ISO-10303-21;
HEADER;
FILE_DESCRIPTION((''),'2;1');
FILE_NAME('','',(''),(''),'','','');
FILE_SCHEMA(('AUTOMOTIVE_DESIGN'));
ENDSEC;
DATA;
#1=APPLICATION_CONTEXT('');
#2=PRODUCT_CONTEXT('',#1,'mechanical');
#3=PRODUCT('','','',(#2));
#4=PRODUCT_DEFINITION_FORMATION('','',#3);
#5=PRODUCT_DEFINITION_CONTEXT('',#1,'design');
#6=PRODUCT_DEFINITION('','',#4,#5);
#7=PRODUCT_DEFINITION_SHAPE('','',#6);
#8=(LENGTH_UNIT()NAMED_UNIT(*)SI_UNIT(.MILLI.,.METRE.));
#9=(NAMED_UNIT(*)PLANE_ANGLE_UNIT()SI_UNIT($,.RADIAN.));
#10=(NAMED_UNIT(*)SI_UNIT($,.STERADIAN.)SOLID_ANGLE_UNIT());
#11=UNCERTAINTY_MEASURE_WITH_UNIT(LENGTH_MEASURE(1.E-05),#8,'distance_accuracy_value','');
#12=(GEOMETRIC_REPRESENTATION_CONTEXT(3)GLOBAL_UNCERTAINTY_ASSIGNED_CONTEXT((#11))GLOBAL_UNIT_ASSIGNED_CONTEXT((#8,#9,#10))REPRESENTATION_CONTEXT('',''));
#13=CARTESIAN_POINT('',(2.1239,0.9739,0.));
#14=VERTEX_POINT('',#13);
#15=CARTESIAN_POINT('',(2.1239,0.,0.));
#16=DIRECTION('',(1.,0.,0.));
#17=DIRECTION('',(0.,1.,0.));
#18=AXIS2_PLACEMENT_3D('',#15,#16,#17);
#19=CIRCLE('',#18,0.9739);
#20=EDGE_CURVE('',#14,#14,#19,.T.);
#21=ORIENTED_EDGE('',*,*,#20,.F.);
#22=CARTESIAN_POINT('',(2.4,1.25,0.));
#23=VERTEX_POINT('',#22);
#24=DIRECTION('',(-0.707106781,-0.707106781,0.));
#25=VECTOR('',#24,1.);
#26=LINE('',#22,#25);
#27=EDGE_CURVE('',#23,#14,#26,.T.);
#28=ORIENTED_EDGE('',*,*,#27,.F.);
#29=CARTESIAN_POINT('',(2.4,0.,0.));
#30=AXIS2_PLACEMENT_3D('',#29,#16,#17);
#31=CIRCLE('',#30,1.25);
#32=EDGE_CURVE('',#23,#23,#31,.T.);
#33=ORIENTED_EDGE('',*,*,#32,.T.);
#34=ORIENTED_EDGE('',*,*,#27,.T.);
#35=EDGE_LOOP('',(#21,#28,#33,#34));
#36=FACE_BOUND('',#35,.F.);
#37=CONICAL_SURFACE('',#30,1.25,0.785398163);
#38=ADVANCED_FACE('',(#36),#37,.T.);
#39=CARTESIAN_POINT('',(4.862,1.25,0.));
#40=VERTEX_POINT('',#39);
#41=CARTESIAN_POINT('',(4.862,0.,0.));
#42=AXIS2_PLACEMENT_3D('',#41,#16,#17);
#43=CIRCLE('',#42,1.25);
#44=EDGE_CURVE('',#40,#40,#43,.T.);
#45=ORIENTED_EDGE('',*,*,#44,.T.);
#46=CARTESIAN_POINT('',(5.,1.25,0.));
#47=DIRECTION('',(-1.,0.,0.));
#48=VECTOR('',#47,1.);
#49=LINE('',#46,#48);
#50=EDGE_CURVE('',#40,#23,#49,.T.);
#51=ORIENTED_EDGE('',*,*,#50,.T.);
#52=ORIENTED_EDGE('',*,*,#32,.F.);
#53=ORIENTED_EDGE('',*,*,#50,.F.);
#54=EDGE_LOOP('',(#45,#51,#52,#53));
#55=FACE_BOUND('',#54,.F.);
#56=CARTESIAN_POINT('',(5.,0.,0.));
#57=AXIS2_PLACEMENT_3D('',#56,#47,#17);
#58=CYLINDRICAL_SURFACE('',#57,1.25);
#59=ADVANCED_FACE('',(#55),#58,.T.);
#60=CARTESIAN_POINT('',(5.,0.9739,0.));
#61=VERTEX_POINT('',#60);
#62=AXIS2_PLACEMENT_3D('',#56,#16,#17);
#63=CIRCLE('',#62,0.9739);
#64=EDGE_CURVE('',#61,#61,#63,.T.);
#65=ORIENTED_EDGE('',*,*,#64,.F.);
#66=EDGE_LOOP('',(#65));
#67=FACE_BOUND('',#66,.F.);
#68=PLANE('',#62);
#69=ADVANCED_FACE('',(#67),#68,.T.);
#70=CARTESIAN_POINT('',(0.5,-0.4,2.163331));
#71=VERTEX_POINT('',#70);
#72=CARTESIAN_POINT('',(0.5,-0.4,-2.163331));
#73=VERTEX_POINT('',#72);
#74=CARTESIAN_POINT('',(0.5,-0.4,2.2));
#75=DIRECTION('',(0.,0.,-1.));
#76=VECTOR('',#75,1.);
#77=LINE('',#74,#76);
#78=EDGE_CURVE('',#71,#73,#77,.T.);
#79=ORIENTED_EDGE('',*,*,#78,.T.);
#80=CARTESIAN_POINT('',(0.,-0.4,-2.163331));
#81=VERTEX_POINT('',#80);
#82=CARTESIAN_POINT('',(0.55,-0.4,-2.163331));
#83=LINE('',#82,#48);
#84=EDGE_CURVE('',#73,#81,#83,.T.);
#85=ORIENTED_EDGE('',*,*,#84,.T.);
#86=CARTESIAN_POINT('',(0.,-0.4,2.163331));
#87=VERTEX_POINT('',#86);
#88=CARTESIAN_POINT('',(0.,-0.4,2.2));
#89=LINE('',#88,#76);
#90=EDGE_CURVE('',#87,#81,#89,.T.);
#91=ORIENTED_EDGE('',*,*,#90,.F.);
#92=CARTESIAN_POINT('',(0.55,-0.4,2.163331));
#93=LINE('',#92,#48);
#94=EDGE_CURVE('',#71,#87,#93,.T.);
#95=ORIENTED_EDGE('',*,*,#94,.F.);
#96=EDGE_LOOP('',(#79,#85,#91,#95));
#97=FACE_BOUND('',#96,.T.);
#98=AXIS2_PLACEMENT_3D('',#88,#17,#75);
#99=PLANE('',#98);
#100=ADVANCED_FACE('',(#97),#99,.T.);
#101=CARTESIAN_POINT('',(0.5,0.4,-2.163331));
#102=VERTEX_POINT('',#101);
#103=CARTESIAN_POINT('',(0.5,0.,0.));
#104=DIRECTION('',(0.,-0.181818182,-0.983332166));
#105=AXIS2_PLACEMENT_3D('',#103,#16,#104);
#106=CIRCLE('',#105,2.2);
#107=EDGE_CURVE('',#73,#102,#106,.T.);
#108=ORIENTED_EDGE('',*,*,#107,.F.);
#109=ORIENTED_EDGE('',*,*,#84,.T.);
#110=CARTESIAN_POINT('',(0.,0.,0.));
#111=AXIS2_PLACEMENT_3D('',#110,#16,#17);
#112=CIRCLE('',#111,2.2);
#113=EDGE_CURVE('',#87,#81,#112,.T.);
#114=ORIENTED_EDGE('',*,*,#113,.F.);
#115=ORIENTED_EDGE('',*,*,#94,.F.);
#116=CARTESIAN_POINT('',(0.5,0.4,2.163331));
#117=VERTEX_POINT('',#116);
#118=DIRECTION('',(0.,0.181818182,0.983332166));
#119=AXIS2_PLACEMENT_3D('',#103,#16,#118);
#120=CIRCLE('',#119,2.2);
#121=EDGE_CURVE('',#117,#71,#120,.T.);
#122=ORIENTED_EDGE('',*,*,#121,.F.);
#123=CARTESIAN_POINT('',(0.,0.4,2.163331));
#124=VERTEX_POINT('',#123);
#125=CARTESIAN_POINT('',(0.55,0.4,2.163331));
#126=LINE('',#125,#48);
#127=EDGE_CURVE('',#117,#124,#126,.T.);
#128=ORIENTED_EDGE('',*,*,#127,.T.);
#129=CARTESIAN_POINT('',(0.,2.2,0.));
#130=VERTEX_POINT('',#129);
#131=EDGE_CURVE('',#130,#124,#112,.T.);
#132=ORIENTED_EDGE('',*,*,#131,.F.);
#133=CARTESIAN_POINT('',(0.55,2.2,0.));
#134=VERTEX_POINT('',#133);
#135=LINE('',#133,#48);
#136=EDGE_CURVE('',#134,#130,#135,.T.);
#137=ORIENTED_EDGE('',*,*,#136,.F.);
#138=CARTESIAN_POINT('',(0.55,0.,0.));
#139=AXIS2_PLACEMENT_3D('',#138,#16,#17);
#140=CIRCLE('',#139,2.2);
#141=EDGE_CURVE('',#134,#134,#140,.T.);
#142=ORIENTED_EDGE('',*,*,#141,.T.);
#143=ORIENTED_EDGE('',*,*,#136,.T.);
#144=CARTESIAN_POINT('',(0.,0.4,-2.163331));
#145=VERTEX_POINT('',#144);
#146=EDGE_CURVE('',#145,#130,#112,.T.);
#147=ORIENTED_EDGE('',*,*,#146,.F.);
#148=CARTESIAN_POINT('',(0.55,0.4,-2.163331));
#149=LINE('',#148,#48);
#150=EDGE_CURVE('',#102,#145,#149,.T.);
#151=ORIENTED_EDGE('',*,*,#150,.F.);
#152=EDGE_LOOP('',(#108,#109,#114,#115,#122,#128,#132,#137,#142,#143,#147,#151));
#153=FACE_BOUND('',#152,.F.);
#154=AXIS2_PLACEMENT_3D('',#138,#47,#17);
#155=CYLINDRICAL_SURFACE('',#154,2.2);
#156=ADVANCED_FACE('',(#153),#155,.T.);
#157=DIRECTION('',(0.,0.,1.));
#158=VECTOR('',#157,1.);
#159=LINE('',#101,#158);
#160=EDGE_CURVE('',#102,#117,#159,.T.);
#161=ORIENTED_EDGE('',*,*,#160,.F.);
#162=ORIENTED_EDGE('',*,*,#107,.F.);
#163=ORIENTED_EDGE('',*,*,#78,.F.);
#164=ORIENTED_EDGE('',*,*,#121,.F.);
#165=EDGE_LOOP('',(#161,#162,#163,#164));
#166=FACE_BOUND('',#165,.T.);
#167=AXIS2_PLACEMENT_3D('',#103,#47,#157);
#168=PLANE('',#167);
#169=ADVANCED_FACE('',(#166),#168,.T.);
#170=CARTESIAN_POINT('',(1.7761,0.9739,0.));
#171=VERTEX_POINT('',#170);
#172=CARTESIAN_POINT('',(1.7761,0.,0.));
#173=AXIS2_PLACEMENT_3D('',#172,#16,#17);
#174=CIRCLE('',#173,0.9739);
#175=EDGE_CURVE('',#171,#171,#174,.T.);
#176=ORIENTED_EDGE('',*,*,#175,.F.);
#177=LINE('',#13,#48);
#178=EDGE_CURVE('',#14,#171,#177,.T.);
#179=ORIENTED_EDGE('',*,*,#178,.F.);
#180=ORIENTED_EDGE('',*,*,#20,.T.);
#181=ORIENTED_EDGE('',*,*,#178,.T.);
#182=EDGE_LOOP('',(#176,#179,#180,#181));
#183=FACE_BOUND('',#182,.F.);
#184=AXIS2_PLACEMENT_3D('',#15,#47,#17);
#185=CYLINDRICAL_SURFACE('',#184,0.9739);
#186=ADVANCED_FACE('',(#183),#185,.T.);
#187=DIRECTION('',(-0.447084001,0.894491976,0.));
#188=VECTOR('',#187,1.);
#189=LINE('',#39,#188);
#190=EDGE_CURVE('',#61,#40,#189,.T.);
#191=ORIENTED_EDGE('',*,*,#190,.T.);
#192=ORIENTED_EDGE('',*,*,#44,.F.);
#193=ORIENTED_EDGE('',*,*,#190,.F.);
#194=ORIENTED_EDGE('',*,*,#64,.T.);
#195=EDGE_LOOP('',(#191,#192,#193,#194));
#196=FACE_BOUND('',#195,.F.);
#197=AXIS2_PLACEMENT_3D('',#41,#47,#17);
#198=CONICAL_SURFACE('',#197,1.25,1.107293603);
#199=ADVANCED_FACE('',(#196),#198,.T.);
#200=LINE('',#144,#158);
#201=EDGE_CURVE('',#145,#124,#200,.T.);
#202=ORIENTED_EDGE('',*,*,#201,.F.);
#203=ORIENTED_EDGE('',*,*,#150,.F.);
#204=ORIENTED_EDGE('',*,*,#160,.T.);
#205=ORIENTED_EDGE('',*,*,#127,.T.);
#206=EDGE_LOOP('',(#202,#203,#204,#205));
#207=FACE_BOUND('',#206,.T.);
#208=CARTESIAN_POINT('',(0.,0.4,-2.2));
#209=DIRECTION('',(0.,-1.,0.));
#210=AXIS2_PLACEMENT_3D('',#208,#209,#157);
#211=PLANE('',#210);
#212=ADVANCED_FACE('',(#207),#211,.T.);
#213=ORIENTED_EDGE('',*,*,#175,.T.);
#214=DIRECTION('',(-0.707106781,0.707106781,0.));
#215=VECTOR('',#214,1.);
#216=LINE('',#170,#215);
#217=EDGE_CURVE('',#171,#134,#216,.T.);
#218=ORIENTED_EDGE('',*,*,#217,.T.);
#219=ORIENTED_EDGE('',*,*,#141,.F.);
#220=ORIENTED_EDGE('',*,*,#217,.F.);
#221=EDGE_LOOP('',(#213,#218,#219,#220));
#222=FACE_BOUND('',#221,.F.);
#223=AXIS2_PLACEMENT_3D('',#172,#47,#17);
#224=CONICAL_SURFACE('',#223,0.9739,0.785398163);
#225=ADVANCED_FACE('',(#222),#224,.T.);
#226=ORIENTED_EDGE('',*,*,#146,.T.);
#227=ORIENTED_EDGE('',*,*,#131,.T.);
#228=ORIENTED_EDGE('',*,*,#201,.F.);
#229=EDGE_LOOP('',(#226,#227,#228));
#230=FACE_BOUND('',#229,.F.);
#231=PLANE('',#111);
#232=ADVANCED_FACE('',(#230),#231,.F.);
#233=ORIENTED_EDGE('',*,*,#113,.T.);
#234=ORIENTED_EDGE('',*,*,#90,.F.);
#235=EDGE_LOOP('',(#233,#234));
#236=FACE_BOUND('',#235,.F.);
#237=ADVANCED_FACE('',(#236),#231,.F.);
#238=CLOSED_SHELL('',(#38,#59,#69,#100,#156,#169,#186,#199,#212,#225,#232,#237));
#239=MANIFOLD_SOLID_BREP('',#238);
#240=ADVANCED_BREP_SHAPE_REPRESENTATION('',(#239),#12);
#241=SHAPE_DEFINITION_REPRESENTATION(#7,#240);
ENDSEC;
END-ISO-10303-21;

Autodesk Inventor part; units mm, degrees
ref_plane "YZ Plane" through (0, 0, 0) normal (1, 0, 0) x (0, 1, 0)
ref_plane "XZ Plane" through (0, 0, 0) normal (0, 1, 0) x (-1, 0, 0)
sketch "Sketch1" plane through (0, 0, 0) normal (0, 0, 1) x (1, 0, 0)
  line L0 (0, 0) -> (5, 0)
  line L1 (5, 0) -> (5, 1.25)
  line L2 (5, 1.25) -> (2.4, 1.25)
  line L3 (2.4, 1.25) -> (2.1239, 0.9739)
  line L4 (2.1239, 0.9739) -> (1.7761, 0.9739)
  line L5 (1.7761, 0.9739) -> (0.55, 2.2)
  line L6 (0.55, 2.2) -> (0, 2.2)
  line L7 (0, 2.2) -> (0, 0)
  line L8 (2.4, 1.25) -> (1.5, 1.25) construction
  line L9 (-1, 0) -> (6, 0) projected
  line L10 (0, 2.64) -> (0, -0.44) projected
  dimension "d0" = 5
  dimension "d1" = 45
  dimension "d2" = 0.2761
  dimension "d3" = 2.6
  dimension "d4" = 1.5
  dimension "d5" = 1.9479
  dimension "d6" = 2.5
  dimension "d7" = 4.4
revolve "Body" add sketch "Sketch1" angle 360 about axis through (0, 0, 0) along (1, 0, 0)
sketch "Sketch2" plane through (0, 0, 0) normal (-1, 0, 0) x (0, 0, 1)
  line L0 (2.2, -0.4) -> (-2.2, -0.4)
  line L1 (-2.2, -0.4) -> (-2.2, 0.4)
  line L2 (-2.2, 0.4) -> (2.2, 0.4)
  line L3 (2.2, 0.4) -> (2.2, -0.4)
  line L4 (0, 0.4) -> (0, -0.4) construction
  line L5 (-2.2, 0) -> (2.2, 0) construction
  line L6 (0, 2.2) -> (0, 0) projected
  dimension "d15" = 0.8
  dimension "d16" = 4.4
extrude "Slot" cut sketch "Sketch2" against normal blind 0.5
thread "Thread" size "M2.5x0.45" class "6g" standard "ISO Metric profile" length 2.6
chamfer "Chamfer1" distance 0.2761 distance2 0.138 1 edges at (5, -1.25, 0) measured on face at (5, -0.3689, 0.4922)
ref_plane "Work Plane1" through (33.575, 0, 0) normal (0, 0, -1) x (1, 0, 0)
equation "\"d0\" = NLG"
equation "\"d1\" = 0.5 * SEWI"
equation "\"d2\" = GAL"
equation "\"d3\" = GEL"
equation "\"d4\" = KOH"
equation "\"d5\" = BDM"
equation "\"d6\" = GD"
equation "\"d7\" = KOD"
equation "\"d15\" = SBR"
equation "\"d16\" = KOD"
equation "\"d8\" = STI"
equation "\"d10\" = GEL"
equation "\"d12\" = -0.5 * SPD + 0.5 * GD"
equation "\"d13\" = 0.5 * GAL"
equation "\"NLG\" = 5"
equation "\"GAL\" = 0.61345 * PTC"
equation "\"GEL\" = 2.6"
equation "\"KOH\" = 1.5"
equation "\"KOD\" = 4.4"
equation "\"SEWI\" = 90deg"
equation "\"BDM\" = NND - 1.2269 * PTC"
equation "\"GD\" = NND"
equation "\"SBR\" = 0.8"
equation "\"STI\" = 0.5"
equation "\"SPD\" = NND - 1.2269 * PTC"
equation "\"GUL\" = 0.61345 * PTC"
equation "\"PTC\" = 0.45"
equation "\"EPV\" = 2.75"
equation "\"THREADDIA\" = 2.5"
equation "\"TOA\" = 30deg"
equation "\"RR\" = 0.3"
equation "\"NND\" = 2.5"
equation "\"GD1\" = THREADDIA - 1.2269 * PTC"
properties part number "AS 1427 - M2.5 x 5" material "Steel, Mild"
